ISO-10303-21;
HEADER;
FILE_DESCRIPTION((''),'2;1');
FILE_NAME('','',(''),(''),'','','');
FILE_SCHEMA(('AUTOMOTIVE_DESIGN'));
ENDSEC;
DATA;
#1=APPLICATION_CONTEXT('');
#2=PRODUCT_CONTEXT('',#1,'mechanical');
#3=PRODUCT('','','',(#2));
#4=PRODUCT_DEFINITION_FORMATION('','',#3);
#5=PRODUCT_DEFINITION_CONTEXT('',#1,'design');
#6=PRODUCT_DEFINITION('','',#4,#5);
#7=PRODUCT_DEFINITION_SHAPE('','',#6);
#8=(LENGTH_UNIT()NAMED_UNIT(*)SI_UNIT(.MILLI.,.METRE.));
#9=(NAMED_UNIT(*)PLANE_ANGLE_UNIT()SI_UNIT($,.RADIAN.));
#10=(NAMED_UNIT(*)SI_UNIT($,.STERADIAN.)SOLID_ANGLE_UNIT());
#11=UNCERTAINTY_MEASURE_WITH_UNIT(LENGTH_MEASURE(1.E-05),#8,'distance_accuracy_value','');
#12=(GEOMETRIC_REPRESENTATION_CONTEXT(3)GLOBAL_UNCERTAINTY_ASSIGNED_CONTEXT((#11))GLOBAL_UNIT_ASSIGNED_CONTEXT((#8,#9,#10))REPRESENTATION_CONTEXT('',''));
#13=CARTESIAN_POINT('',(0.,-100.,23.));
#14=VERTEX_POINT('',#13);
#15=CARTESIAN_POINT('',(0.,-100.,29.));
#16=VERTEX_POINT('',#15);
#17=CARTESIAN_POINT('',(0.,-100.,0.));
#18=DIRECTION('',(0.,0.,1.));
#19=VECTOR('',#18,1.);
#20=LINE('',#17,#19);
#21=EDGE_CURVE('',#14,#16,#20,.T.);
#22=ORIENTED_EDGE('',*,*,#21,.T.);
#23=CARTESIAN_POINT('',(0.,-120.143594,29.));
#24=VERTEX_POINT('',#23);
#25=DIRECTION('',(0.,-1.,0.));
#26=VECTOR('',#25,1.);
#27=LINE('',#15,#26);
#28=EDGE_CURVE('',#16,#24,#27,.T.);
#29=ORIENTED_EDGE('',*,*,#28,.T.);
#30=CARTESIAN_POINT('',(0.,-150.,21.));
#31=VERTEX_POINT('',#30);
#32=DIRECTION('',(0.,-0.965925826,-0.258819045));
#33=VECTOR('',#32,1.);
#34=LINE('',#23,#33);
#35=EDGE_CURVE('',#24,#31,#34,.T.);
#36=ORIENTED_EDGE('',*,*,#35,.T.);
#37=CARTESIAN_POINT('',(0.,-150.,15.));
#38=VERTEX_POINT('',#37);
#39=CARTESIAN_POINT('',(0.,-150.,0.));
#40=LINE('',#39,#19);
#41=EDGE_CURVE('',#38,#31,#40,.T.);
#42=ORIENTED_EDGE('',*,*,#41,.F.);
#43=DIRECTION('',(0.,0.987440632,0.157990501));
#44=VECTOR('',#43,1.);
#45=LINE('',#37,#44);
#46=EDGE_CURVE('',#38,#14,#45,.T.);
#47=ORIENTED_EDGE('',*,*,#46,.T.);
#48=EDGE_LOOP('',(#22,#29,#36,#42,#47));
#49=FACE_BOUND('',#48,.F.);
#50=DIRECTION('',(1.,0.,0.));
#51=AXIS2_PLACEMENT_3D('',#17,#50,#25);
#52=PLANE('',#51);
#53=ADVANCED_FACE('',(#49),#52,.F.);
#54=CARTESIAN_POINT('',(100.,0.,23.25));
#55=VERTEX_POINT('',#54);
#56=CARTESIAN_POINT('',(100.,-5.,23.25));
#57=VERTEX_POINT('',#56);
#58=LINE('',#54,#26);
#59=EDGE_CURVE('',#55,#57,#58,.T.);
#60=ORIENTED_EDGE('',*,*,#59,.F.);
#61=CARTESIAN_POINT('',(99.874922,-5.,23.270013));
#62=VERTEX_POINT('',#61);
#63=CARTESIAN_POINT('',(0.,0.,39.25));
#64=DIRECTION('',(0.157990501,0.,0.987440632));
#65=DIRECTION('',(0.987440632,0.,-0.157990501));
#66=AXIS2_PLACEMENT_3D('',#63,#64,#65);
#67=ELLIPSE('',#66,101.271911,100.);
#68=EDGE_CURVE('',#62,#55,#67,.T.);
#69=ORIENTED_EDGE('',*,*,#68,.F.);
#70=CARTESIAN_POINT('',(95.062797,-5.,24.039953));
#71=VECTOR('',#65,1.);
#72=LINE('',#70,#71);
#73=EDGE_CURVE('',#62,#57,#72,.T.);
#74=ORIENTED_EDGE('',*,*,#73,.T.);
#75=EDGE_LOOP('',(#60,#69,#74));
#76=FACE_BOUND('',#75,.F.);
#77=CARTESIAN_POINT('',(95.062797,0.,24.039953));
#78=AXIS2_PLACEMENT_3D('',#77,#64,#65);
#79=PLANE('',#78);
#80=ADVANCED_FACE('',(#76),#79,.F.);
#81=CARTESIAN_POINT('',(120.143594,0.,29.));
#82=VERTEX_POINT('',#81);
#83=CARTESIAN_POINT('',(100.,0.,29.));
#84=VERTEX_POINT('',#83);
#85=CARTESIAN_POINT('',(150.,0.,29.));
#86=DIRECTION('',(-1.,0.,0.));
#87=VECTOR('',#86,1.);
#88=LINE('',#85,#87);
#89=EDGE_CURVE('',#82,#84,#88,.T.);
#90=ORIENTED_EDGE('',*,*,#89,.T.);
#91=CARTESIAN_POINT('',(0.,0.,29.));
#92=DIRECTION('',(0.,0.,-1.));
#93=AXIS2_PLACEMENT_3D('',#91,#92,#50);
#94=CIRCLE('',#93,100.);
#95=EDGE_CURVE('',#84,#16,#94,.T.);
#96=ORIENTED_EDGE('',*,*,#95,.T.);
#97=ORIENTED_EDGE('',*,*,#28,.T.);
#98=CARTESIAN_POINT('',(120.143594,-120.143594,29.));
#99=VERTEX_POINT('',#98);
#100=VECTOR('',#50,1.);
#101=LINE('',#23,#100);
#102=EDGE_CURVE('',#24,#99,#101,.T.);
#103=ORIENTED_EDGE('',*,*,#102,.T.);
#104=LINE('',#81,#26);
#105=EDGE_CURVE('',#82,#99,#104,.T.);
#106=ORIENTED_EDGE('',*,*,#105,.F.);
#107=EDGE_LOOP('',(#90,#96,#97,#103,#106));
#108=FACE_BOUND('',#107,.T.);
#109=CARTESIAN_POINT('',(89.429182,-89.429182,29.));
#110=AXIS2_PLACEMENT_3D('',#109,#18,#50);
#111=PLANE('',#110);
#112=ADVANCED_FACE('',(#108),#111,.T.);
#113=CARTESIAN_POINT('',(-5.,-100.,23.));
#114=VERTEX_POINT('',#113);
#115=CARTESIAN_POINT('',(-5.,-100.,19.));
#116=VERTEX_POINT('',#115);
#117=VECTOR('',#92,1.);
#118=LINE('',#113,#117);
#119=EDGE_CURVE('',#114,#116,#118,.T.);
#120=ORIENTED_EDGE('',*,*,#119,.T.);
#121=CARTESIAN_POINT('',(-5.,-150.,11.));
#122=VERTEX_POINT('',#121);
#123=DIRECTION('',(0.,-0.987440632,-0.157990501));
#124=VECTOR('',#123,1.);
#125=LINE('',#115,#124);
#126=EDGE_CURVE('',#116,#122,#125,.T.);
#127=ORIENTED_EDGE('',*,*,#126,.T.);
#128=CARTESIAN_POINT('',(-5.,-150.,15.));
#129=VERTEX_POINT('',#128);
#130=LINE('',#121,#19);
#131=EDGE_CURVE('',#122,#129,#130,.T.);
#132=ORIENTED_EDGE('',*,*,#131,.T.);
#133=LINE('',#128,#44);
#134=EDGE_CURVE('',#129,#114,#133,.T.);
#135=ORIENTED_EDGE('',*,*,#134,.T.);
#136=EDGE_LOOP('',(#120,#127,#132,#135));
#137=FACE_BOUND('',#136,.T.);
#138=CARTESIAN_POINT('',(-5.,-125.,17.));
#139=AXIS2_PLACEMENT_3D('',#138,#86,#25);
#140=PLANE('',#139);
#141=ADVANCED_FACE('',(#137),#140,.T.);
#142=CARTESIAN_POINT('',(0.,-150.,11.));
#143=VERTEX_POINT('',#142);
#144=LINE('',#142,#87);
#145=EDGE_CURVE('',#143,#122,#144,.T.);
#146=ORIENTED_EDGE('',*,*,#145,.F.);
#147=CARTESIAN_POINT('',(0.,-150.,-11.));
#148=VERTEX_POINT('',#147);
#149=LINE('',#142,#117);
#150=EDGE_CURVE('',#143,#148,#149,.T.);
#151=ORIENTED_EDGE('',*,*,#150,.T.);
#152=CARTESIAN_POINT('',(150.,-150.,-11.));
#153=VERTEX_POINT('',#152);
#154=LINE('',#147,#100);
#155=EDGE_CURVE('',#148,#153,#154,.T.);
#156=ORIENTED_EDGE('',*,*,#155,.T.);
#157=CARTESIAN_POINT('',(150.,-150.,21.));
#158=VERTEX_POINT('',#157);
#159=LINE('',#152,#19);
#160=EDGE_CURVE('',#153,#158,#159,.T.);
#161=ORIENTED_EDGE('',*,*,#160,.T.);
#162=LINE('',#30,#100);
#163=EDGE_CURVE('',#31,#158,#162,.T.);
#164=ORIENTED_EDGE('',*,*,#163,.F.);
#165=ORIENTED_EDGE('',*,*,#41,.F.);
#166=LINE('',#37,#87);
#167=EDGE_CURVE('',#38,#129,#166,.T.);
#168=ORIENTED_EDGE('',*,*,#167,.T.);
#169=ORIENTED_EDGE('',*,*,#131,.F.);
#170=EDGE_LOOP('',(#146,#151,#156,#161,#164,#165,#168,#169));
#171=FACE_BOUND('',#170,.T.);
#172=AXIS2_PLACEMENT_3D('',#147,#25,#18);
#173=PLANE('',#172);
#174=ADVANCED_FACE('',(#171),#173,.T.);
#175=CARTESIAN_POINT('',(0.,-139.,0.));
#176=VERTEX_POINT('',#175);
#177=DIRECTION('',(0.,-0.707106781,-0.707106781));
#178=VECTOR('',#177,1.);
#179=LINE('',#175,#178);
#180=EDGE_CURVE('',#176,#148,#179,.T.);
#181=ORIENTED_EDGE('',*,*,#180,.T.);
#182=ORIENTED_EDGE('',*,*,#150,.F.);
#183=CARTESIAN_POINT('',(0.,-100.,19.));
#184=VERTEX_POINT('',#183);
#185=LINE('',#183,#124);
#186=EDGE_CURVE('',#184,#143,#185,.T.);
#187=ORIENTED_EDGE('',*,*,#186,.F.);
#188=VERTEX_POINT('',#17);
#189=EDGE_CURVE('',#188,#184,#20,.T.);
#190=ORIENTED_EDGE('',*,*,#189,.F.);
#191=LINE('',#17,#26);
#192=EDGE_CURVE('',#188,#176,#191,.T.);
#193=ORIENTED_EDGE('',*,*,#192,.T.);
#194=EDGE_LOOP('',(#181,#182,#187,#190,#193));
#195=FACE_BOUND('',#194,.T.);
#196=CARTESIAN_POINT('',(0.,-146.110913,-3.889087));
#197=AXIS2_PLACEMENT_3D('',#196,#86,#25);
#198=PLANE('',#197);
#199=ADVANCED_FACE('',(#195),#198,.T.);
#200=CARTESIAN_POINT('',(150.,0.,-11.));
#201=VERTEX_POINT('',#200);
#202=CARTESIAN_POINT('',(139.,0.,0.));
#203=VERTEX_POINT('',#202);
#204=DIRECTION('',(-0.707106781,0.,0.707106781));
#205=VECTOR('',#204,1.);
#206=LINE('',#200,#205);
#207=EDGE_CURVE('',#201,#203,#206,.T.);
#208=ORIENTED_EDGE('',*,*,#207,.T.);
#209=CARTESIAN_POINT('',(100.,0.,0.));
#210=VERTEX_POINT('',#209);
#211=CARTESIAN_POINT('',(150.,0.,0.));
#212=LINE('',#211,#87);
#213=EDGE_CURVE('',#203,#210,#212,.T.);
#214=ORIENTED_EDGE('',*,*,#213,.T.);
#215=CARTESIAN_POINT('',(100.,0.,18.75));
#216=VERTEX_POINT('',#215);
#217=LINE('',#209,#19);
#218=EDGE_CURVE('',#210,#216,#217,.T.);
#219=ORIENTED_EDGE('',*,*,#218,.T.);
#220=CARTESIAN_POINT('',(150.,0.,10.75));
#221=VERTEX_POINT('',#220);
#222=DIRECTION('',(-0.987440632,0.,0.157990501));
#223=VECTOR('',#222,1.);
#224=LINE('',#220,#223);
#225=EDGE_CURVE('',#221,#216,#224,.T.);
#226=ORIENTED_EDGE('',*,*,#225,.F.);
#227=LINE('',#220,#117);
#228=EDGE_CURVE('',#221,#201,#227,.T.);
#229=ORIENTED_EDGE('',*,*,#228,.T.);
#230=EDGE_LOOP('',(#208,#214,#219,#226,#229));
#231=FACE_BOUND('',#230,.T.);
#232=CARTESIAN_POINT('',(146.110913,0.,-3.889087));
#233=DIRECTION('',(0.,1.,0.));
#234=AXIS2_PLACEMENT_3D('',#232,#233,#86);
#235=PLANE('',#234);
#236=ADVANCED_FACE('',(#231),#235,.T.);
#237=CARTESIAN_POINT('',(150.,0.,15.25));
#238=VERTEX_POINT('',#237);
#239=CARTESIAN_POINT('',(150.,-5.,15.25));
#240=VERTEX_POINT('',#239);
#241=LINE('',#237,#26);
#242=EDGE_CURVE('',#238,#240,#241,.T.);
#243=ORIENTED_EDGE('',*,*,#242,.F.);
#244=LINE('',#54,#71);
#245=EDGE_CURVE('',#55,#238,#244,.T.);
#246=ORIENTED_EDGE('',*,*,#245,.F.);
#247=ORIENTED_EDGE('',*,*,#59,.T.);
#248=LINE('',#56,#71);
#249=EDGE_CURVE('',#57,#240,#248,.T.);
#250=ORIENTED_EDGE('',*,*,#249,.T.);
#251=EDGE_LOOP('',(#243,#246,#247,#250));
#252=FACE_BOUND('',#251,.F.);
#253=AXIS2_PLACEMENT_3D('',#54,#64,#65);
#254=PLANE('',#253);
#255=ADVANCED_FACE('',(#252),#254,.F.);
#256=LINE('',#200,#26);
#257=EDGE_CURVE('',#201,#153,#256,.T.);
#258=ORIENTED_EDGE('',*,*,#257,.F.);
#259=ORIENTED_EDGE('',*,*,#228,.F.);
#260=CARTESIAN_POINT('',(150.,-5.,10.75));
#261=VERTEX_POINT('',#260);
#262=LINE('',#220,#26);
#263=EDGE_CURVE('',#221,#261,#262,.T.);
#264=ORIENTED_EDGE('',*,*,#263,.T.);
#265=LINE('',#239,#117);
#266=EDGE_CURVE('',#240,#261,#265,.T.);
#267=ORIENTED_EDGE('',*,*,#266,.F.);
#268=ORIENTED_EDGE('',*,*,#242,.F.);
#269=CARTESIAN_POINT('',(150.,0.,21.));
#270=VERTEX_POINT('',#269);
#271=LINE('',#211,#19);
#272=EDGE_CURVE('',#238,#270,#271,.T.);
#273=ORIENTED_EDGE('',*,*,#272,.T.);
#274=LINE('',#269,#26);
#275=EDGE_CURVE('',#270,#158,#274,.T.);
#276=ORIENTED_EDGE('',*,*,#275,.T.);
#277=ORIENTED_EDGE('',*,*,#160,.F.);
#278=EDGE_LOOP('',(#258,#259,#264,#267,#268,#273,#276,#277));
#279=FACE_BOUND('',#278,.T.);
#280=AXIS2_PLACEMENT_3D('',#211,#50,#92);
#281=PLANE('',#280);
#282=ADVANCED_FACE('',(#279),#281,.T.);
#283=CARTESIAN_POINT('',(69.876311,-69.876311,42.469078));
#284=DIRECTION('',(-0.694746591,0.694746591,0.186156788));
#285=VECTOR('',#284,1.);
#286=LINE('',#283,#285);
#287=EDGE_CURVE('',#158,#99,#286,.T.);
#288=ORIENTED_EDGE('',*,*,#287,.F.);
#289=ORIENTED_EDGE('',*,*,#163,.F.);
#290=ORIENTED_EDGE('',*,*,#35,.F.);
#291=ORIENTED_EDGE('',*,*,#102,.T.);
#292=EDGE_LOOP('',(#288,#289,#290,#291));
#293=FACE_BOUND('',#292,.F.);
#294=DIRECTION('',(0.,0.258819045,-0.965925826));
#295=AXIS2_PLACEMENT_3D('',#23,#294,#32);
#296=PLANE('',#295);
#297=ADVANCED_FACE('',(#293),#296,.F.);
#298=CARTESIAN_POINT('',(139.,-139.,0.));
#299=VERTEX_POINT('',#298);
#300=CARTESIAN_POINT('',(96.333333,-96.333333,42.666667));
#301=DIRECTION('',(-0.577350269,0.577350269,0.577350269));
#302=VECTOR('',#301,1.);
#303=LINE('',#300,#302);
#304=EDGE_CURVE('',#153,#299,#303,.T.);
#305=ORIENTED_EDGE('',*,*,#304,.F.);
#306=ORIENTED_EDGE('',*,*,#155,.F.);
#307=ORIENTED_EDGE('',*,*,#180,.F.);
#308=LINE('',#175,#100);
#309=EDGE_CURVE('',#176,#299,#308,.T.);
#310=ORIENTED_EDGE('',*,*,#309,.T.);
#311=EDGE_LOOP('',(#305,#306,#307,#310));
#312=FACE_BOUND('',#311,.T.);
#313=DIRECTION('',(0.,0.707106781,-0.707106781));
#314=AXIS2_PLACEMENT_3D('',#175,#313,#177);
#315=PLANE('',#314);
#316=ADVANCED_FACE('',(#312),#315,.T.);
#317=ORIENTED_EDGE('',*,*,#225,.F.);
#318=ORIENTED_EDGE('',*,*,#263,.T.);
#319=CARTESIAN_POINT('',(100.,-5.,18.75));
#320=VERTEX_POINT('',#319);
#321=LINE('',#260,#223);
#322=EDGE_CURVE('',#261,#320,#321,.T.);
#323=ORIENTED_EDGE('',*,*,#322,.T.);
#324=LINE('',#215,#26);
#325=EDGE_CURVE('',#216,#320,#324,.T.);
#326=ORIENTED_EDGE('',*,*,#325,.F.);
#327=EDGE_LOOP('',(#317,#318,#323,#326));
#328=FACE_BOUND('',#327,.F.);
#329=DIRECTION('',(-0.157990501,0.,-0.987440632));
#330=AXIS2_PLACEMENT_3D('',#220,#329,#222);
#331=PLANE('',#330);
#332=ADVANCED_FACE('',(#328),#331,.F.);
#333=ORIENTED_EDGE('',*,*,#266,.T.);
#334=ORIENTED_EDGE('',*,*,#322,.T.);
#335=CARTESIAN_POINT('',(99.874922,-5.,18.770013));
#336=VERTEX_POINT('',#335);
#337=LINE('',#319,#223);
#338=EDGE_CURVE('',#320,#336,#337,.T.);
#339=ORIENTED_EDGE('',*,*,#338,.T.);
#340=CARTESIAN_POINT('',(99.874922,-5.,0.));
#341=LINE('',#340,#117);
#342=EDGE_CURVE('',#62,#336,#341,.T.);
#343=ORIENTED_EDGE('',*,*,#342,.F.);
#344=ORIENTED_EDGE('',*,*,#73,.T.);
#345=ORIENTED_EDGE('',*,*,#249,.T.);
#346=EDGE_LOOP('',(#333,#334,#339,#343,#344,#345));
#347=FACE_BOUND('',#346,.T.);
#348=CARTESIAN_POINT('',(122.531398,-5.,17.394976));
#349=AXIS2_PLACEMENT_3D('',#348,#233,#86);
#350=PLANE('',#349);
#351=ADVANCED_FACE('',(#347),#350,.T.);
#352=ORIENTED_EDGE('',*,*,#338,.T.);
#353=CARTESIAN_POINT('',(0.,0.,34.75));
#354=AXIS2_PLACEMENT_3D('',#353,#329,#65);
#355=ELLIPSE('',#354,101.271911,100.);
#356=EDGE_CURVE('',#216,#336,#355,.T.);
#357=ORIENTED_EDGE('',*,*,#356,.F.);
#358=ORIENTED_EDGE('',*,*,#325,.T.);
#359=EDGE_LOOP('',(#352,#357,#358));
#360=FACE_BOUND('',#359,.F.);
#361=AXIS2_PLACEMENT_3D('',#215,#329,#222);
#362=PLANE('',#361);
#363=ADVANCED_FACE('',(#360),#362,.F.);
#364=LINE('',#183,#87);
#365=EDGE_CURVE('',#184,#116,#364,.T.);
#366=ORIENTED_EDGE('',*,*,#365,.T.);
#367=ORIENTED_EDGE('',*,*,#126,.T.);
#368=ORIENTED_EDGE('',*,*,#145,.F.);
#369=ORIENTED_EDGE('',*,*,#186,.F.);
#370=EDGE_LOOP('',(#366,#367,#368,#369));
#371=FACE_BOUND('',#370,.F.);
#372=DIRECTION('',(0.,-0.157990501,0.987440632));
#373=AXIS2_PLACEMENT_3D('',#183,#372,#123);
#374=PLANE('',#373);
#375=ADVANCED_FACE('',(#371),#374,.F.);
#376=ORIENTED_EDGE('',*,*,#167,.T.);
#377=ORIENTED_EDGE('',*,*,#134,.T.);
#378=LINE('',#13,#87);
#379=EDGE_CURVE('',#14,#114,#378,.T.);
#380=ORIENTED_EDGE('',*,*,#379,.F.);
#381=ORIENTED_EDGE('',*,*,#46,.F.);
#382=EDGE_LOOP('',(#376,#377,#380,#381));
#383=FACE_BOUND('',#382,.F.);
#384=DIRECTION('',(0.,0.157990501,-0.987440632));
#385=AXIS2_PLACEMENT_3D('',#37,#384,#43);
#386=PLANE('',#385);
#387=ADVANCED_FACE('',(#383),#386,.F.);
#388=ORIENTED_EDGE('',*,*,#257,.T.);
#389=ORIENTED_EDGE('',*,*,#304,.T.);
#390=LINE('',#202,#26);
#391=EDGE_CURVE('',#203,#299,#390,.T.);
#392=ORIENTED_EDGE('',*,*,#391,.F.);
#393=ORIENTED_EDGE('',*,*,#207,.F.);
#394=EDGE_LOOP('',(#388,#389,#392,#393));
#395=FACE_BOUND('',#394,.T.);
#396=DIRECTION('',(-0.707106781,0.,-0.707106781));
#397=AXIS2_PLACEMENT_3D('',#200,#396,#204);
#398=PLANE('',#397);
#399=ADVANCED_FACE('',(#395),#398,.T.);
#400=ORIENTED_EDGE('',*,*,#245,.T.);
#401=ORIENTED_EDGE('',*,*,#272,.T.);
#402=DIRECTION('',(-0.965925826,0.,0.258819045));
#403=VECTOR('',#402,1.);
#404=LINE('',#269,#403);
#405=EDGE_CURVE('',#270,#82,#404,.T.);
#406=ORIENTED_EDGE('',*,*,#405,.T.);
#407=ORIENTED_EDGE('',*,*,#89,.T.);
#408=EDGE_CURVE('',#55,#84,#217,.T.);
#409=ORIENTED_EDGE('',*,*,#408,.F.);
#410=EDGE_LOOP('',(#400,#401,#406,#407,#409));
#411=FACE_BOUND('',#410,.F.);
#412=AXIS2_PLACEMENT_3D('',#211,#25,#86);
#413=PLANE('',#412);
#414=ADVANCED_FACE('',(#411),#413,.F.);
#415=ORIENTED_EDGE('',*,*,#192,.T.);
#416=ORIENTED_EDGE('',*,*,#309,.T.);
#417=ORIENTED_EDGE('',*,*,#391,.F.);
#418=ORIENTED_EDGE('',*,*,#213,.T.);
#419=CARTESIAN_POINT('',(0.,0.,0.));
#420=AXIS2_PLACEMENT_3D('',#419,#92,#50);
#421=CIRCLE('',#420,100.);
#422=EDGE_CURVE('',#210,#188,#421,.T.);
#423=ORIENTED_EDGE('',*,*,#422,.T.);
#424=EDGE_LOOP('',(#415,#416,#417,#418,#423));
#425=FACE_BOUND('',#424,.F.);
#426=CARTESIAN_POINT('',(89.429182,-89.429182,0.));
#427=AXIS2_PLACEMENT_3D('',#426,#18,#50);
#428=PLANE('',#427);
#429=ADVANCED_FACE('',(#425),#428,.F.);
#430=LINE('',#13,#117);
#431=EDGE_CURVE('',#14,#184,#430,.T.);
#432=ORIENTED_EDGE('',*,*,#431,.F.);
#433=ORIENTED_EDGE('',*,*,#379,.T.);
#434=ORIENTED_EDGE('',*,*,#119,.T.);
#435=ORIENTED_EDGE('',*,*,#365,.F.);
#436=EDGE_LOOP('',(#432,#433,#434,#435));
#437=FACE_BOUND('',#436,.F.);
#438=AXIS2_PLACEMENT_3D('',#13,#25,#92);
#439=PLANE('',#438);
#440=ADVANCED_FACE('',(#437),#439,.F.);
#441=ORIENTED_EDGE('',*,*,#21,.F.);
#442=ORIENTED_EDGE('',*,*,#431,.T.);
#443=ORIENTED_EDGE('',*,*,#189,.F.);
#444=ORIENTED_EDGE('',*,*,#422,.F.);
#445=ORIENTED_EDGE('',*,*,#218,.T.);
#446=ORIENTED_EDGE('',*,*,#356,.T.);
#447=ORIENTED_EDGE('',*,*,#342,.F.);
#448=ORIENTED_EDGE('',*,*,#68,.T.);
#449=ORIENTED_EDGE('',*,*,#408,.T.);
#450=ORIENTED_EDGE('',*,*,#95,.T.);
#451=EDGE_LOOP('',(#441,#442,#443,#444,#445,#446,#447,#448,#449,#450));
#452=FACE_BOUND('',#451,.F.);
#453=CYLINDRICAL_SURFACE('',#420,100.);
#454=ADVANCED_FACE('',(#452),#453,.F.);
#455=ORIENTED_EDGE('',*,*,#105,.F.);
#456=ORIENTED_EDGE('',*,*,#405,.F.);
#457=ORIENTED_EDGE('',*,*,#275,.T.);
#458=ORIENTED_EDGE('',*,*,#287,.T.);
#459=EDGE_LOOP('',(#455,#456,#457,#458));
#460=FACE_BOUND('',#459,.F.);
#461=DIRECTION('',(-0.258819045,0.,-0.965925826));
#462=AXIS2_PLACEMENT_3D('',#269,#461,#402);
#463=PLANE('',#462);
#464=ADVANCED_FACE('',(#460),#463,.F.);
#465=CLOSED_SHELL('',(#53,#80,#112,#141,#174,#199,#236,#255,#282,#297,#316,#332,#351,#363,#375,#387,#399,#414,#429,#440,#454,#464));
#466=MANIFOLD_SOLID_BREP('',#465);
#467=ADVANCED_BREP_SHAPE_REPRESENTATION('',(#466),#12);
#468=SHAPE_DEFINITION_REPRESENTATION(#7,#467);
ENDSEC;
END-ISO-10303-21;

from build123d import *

# Parameters (mm, degrees)
F1_DEPTH  = 29
F3_DEPTH  = 150
F5_DEPTH  = 150.001
F7_DEPTH  = 5
F9_DEPTH  = 5
F11_DEPTH = 150


with BuildPart() as f1:
    # F0 (on Top) → F1 (new body)
    with BuildSketch(Plane.XY):
        with BuildLine():
            Line((150, -150), (150, 0))
            Line((150, 0), (100, 0))
            ThreePointArc((100, 0), (70.7106781187, -70.7106781187), (0, -100))
            Line((0, -100), (0, -150))
            Line((0, -150), (150, -150))
        make_face()
    extrude(amount=F1_DEPTH)

    # F2 (on face) → F3 (cut, through all)
    with BuildSketch(Plane(origin=(0, 0, 0), x_dir=(0, -1, 0), z_dir=(-1, 0, 0))):
        Polygon((150, 29), (120.1435935394, 29), (150, 21), align=None)
    extrude(amount=-F3_DEPTH, mode=Mode.SUBTRACT)

    # F4 (on face) → F5 (cut, through all)
    with BuildSketch(Plane(origin=(0, 0, 0), x_dir=(-1, 0, 0), z_dir=(0, 1, 0))):
        Polygon((-120.1435935394, 29), (-150, 29), (-150, 21), align=None)
    extrude(amount=-F5_DEPTH, mode=Mode.SUBTRACT)

    # F6 (on face) → F7 (join)
    with BuildSketch(Plane(origin=(0, 0, 0), x_dir=(0, -1, 0), z_dir=(-1, 0, 0))):
        Polygon((150, 15), (100, 23), (100, 19), (150, 11), align=None)
    extrude(amount=F7_DEPTH)

    # F8 (on face) → F9 (cut)
    with BuildSketch(Plane(origin=(0, 0, 0), x_dir=(-1, 0, 0), z_dir=(0, 1, 0))):
        Polygon((-95.0627968404, 24.0399525055), (-100, 23.25), (-150, 15.25), (-150, 10.75), (-100, 18.75), (-95.0627968404, 19.5399525055), align=None)
    extrude(amount=-F9_DEPTH, mode=Mode.SUBTRACT)

    # F10 (on face) → F11 (join)
    with BuildSketch(Plane(origin=(0, 0, 0), x_dir=(0, -1, 0), z_dir=(-1, 0, 0))):
        Polygon((150, -11), (150, 0), (139, 0), align=None)
    extrude(amount=-F11_DEPTH)

    # F12 (on face) → F13 (join, up to the next surface of F1)
    with BuildSketch(Plane(origin=(0, 0, 0), x_dir=(-1, 0, 0), z_dir=(0, 1, 0))):
        Polygon((-139, 0), (-150, 0), (-150, -11), align=None)
    extrude(until=Until.NEXT, dir=(0, -1, 0))


solid = f1.part
